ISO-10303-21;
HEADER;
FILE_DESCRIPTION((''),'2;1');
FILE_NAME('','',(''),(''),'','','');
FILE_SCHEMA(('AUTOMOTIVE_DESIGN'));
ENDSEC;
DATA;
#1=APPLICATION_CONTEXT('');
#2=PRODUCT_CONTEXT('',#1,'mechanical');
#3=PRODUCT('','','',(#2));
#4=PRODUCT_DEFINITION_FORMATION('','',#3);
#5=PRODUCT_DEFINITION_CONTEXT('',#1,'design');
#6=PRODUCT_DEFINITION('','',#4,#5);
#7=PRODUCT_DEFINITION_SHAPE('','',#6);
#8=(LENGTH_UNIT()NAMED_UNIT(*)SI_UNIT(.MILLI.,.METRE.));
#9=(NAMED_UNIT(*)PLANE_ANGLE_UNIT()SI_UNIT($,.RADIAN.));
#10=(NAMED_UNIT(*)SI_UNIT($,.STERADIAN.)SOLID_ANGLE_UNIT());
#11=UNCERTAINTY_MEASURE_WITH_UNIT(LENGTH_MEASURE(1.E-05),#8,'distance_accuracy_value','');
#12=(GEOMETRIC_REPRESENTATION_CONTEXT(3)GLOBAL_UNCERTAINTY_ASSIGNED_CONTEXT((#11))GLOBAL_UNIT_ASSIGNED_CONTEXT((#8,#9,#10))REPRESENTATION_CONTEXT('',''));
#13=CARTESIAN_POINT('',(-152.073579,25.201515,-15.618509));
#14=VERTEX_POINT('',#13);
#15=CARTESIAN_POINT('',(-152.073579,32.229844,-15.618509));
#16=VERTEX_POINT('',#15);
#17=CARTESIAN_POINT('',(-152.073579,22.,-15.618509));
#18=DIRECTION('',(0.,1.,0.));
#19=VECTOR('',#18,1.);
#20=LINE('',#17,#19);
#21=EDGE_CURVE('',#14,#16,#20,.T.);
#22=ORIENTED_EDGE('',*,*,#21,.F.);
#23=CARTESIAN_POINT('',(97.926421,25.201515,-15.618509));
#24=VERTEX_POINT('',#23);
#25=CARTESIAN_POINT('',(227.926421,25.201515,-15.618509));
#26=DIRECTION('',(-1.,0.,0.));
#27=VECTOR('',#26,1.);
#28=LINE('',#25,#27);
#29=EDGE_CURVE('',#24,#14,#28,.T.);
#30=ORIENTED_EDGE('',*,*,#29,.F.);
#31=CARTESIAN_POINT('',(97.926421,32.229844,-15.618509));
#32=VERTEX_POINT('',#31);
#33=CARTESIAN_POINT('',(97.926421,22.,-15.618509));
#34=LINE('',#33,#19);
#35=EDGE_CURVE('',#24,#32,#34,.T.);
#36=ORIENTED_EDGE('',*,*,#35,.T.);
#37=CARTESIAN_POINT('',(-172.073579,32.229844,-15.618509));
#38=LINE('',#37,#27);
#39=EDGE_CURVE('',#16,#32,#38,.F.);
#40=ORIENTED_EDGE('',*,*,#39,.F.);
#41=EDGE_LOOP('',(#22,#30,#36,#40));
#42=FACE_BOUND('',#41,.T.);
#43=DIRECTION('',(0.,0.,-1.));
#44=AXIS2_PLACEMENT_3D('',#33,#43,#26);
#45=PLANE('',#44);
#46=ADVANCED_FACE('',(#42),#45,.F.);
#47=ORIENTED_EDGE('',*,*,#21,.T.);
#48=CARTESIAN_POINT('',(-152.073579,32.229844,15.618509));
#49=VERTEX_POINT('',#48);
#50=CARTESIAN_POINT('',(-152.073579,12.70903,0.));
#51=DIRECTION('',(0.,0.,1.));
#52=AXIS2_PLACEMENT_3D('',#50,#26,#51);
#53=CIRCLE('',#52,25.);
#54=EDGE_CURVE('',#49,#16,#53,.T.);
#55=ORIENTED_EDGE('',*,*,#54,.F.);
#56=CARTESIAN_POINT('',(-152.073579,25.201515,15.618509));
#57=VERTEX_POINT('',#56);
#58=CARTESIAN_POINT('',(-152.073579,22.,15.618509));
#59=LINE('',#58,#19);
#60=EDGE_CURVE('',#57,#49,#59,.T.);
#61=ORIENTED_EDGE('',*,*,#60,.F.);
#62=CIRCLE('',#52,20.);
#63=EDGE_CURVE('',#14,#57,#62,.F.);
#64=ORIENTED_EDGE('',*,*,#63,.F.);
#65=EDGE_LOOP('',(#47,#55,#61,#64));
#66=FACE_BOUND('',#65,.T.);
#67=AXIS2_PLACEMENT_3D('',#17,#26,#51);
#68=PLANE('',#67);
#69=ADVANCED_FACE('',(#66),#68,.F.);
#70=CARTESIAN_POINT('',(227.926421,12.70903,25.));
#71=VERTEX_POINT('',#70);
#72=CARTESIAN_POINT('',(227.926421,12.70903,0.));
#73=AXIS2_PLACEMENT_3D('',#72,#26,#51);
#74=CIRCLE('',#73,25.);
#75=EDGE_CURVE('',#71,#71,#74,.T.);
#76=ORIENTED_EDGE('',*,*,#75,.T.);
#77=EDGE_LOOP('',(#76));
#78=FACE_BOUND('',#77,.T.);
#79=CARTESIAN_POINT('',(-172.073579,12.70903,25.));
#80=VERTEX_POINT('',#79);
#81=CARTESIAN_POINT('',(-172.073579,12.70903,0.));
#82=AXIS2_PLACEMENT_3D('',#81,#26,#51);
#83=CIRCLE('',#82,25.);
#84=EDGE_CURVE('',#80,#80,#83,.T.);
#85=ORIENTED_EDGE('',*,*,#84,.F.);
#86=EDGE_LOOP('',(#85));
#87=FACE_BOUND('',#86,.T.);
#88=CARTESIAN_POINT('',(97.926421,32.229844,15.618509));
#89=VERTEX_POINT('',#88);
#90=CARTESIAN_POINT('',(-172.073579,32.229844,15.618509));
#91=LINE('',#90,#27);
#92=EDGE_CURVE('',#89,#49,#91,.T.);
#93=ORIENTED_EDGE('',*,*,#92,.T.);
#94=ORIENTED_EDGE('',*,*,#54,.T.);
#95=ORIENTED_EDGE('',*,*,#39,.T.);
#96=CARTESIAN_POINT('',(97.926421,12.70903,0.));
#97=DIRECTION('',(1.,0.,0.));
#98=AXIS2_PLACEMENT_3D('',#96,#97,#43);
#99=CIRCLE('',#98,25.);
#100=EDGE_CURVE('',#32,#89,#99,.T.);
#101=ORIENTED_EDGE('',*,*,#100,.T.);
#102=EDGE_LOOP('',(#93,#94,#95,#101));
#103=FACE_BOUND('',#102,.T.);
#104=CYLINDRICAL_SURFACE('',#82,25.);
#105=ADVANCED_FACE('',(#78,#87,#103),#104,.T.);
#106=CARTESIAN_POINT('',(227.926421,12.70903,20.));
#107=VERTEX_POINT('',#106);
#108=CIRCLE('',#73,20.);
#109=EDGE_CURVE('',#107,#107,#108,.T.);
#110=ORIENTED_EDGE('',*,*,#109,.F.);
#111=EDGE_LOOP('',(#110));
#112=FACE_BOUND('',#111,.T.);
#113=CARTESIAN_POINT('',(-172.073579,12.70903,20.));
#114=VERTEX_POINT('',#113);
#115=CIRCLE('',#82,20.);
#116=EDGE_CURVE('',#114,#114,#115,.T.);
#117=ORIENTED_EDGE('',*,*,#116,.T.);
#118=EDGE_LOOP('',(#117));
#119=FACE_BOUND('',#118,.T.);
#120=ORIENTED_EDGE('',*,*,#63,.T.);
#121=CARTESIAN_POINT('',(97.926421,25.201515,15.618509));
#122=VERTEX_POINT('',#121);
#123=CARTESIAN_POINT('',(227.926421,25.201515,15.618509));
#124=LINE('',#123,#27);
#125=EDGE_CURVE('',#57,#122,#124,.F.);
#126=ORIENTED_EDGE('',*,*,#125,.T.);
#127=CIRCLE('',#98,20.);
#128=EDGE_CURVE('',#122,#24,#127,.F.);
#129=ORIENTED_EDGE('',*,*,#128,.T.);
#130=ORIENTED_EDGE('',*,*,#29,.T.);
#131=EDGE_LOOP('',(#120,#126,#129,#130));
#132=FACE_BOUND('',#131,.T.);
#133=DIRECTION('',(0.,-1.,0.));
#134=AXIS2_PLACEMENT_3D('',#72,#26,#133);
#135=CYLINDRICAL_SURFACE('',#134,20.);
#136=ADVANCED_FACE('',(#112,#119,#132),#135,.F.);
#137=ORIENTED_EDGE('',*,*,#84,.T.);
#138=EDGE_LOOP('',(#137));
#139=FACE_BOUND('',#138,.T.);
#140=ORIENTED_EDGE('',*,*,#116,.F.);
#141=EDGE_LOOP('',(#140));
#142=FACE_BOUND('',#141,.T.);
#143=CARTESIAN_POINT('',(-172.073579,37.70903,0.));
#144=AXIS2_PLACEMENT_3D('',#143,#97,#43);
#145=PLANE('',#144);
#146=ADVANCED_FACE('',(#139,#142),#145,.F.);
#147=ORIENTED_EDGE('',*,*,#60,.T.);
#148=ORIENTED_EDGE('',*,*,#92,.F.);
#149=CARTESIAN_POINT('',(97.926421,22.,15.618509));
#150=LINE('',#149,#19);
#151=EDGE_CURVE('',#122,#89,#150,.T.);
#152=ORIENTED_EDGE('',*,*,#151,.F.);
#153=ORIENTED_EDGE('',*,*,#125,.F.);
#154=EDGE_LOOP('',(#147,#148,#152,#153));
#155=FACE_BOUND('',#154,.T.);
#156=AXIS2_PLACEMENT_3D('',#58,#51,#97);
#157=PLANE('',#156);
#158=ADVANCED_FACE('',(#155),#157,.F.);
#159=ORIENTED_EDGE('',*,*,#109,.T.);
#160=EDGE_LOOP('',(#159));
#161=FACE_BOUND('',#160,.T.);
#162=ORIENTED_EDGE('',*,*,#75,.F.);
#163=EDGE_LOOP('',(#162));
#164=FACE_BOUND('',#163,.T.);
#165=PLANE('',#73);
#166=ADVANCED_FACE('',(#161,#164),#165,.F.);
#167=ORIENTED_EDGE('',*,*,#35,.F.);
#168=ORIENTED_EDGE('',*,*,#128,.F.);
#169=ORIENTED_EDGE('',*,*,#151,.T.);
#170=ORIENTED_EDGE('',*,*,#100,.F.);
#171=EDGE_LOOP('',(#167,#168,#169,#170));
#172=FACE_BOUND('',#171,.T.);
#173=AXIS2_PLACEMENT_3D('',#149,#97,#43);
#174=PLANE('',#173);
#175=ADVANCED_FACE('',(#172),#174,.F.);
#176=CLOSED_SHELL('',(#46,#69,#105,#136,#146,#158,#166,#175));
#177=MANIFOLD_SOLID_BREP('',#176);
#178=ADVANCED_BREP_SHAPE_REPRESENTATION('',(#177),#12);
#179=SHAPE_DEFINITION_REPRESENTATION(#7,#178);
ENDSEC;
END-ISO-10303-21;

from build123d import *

# Parameters (mm, degrees)
SKETCH3_W          = 400
SKETCH3_H          = 25
SKETCH5_R          = 20
CUT_EXTRUDE3_DEPTH = 403.550581854
SKETCH8_W          = 250
SKETCH8_H          = 31.237018092
CUT_EXTRUDE2_DEPTH = 78


with BuildPart() as part:
    # Sketch3 → Revolve1 (revolve)
    with BuildSketch(Plane.XY, mode=Mode.PRIVATE) as revolve1_sk:
        with Locations((27.926421405, 25.2090301)):
            Rectangle(SKETCH3_W, SKETCH3_H)
    revolve(revolve1_sk.sketch.rotate(Axis((-172.073578595, 12.7090301, 0), (1, 0, 0)), 90), axis=Axis((-172.073578595, 12.7090301, 0), (1, 0, 0)))

    # Sketch5 → Cut-Extrude3 (cut, through all)
    with BuildSketch(Plane.ZY.offset(172.073578595)):
        with Locations((0, 12.7090301)):
            Circle(SKETCH5_R)
    extrude(amount=-CUT_EXTRUDE3_DEPTH, mode=Mode.SUBTRACT)

    # Sketch8 → Cut-Extrude2 (cut)
    with BuildSketch(Plane(origin=(0, 100, 0), x_dir=(1, 0, 0), z_dir=(0, 1, 0))):
        with Locations((-27.073578595, 0)):
            Rectangle(SKETCH8_W, SKETCH8_H)
    extrude(amount=-CUT_EXTRUDE2_DEPTH, mode=Mode.SUBTRACT)


solid = part.part
